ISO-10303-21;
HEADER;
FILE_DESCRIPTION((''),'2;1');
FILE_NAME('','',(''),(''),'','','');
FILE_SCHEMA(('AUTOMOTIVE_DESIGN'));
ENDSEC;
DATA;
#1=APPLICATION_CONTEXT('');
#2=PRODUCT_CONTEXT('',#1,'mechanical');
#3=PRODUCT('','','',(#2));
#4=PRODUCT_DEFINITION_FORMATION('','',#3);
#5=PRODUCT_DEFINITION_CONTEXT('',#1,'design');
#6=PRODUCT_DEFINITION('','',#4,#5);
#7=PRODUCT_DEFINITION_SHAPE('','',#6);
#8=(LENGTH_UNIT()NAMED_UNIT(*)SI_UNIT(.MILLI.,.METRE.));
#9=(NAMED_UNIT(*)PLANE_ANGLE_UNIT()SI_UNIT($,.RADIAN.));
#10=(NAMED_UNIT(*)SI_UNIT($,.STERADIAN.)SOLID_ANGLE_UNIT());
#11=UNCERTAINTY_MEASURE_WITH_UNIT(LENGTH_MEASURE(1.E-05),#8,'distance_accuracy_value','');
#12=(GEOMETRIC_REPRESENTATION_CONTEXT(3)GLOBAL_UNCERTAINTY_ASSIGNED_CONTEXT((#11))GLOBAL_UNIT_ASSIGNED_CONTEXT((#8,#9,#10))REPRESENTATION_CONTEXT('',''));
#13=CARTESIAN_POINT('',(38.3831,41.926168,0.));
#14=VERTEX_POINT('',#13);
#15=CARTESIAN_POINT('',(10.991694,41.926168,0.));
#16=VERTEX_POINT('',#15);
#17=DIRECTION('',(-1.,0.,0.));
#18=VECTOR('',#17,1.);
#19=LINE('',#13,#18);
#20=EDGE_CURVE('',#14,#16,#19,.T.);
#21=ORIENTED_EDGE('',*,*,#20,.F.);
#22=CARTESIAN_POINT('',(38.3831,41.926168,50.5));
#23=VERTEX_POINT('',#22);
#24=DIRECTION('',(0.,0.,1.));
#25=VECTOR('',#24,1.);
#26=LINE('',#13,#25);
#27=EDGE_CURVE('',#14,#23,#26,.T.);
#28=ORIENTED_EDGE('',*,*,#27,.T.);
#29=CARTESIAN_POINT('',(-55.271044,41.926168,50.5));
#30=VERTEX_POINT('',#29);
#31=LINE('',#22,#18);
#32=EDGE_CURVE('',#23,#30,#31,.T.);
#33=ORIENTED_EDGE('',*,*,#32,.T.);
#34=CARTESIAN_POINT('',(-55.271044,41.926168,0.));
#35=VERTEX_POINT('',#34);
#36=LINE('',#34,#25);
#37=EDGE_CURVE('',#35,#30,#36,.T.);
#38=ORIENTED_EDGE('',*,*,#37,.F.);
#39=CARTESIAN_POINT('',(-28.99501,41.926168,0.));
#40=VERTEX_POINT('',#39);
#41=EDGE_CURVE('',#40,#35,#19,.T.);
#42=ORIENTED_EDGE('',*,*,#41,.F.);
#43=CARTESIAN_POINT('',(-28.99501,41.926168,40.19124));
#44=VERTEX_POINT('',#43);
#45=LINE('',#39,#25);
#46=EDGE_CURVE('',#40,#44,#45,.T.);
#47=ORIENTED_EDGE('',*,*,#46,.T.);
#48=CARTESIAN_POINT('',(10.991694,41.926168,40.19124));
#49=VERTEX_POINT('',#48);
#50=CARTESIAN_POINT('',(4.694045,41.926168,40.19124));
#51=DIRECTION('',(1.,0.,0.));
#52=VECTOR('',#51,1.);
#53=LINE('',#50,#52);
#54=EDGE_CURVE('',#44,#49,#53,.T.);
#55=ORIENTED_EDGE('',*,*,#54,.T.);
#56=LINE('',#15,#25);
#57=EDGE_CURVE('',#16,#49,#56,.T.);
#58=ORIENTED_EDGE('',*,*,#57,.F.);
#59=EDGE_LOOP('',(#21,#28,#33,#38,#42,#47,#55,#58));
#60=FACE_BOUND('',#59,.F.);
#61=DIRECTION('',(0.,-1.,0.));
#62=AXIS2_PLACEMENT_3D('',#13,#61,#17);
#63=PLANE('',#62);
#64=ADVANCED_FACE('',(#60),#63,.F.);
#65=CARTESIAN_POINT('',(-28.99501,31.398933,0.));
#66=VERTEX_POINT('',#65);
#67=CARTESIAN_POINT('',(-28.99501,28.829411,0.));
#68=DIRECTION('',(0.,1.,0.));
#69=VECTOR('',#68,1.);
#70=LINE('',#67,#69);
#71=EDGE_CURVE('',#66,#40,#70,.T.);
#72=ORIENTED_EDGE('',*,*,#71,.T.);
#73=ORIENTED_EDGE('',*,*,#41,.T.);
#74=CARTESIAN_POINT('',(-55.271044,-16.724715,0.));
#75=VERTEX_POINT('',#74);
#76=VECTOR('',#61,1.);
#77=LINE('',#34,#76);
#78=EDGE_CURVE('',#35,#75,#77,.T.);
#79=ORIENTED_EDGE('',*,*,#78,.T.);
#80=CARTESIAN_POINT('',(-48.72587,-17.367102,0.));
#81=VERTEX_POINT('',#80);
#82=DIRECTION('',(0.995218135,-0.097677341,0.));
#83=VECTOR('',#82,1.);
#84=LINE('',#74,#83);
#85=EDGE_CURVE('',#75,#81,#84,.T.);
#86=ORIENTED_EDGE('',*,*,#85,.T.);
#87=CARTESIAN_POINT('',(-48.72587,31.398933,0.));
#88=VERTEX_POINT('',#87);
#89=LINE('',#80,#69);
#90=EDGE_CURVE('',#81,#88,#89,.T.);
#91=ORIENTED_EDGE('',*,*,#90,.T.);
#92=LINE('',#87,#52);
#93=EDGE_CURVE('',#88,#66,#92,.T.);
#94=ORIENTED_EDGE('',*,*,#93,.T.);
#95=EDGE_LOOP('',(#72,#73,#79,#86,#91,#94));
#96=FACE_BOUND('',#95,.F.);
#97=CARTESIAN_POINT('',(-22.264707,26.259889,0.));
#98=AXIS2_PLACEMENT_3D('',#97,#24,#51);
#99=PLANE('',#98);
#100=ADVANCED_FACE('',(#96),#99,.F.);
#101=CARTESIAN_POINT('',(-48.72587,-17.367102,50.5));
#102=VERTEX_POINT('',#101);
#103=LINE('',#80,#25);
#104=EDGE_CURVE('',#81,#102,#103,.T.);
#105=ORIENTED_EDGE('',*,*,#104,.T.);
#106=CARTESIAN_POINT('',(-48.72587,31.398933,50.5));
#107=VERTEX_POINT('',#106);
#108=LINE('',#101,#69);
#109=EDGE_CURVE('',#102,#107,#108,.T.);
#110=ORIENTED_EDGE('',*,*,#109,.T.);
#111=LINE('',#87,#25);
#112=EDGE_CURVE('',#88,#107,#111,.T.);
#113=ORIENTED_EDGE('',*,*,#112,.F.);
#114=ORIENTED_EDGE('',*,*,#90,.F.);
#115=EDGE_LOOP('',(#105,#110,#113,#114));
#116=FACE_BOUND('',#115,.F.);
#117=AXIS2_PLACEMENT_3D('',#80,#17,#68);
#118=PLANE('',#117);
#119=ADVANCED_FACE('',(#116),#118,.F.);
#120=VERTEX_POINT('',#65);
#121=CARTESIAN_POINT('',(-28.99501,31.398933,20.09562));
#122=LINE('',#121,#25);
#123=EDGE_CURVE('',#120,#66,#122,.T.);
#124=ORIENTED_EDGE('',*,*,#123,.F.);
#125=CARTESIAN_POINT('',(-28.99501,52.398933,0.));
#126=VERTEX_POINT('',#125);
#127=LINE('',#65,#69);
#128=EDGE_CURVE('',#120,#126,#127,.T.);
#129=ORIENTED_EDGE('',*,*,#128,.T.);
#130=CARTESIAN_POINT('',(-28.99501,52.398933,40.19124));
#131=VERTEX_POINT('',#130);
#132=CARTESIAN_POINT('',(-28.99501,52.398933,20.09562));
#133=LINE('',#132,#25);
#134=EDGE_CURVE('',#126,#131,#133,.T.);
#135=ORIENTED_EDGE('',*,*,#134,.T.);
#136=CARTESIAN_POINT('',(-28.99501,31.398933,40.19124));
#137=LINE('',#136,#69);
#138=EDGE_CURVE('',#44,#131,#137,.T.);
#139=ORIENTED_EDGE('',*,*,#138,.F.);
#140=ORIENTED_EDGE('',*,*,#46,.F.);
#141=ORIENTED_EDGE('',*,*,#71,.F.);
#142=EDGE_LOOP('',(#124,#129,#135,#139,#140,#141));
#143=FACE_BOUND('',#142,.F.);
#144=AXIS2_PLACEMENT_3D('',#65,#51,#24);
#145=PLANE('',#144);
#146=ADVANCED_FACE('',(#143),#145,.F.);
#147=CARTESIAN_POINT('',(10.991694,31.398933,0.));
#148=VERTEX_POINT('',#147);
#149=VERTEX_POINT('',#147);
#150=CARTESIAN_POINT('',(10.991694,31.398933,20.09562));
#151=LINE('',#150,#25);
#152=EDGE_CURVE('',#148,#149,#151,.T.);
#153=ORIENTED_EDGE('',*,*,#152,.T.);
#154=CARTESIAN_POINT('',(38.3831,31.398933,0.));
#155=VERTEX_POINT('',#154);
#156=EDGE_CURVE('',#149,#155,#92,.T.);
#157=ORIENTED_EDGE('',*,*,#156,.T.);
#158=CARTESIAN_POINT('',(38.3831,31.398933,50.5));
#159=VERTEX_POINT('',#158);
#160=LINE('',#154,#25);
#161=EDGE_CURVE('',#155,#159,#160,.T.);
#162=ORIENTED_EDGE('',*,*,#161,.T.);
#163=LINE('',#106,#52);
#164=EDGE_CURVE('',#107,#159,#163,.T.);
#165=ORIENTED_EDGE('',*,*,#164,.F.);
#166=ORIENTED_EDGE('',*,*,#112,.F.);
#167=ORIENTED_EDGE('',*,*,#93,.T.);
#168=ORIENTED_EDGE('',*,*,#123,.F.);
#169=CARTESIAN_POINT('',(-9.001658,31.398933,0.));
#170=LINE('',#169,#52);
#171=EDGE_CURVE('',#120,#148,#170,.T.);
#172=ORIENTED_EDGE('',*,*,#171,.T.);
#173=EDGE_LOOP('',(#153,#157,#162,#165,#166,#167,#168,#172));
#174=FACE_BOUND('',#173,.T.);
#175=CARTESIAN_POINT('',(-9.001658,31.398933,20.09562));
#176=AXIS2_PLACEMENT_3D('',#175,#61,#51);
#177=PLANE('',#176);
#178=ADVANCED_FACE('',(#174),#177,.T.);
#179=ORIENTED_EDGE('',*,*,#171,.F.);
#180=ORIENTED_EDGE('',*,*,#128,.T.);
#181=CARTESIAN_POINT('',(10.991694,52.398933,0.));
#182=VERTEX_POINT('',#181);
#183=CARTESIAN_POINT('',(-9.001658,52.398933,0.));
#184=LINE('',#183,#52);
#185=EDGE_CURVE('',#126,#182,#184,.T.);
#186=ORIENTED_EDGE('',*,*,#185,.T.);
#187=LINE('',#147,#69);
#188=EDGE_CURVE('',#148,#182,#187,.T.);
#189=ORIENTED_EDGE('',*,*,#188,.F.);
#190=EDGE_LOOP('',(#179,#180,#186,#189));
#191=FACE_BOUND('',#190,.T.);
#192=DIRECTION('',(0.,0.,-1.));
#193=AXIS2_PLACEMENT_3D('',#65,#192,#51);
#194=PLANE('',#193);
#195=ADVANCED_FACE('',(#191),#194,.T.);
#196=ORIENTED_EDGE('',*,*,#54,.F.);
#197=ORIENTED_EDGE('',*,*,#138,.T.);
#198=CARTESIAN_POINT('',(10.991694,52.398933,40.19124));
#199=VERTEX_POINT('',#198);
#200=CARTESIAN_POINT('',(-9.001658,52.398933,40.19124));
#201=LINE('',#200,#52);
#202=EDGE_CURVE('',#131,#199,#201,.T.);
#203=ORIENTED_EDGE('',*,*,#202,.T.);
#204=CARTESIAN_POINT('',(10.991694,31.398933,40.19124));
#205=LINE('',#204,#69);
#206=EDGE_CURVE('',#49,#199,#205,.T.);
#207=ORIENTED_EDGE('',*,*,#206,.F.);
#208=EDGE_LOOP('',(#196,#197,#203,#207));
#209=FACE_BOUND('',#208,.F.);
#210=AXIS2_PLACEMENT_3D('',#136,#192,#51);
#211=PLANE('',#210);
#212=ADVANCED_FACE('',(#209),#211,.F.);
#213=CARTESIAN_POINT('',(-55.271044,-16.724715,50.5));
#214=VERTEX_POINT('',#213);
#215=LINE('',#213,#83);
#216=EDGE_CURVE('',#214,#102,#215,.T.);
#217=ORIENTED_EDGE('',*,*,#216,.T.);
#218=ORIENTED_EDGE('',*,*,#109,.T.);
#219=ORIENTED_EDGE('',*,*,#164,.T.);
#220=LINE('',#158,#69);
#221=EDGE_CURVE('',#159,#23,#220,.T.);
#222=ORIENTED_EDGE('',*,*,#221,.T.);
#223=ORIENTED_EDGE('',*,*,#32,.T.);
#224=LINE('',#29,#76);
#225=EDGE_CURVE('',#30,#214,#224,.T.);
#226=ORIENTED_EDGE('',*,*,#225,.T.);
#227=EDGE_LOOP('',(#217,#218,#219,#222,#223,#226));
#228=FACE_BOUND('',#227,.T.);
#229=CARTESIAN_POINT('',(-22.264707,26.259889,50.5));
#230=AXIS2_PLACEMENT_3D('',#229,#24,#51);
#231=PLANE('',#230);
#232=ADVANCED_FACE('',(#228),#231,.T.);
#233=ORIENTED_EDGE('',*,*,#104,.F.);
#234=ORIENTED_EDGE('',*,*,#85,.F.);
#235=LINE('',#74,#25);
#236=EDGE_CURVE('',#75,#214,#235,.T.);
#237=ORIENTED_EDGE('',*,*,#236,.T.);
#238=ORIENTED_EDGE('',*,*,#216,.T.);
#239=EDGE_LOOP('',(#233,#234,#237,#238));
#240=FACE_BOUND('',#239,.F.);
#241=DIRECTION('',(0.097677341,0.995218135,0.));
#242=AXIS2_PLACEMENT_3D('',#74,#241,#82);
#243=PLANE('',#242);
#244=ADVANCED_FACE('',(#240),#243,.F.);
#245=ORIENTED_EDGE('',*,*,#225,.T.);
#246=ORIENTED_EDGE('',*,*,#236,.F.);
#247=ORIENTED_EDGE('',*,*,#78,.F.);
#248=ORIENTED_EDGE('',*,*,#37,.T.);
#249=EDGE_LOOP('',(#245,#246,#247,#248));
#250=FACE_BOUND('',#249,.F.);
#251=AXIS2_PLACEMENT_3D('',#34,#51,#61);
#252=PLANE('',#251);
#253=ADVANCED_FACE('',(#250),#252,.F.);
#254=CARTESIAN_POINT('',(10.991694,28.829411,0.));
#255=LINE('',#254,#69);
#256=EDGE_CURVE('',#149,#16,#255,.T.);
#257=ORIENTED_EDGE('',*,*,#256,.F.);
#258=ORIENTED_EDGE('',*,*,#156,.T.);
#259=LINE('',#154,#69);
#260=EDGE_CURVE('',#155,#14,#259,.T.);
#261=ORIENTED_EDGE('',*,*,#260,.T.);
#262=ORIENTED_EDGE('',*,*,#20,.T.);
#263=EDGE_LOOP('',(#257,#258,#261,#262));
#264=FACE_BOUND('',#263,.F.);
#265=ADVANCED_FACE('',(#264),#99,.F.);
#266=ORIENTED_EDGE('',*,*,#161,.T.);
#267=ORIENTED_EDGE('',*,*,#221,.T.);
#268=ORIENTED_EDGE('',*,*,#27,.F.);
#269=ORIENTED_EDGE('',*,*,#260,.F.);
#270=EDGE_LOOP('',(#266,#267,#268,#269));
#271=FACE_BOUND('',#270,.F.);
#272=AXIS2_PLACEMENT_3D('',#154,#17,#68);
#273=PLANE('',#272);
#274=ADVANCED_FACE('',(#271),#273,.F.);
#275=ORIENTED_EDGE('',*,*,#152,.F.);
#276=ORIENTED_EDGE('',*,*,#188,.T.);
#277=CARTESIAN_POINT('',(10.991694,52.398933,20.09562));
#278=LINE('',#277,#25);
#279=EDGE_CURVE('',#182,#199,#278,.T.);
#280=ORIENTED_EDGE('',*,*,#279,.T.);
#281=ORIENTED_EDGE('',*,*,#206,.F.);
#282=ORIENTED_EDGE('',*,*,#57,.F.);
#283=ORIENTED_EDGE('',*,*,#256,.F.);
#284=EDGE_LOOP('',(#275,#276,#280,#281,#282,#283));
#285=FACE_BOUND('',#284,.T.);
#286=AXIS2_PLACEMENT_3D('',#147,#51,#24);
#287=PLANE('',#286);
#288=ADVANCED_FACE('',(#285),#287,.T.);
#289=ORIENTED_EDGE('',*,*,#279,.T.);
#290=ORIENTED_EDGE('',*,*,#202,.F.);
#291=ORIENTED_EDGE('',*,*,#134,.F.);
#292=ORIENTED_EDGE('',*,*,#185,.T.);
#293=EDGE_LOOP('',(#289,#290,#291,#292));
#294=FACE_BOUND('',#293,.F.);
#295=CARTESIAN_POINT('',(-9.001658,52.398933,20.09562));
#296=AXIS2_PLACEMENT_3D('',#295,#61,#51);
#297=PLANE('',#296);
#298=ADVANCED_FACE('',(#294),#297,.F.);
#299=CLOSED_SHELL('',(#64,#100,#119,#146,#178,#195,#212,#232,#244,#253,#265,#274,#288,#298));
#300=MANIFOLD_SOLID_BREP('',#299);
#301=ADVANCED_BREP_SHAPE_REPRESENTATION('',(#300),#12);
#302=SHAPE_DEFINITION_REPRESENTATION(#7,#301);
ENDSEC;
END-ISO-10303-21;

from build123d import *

# Parameters (mm, degrees)
F1_DEPTH = 50.5
F2_W     = 39.986705
F2_H     = 40.191241
F3_DEPTH = 21


with BuildPart() as f1:
    # F0 (on Top) → F1 (new body)
    with BuildSketch(Plane.XY):
        Polygon((-55.271044, 41.926168), (-55.271044, -16.724715), (-48.72587, -17.367102), (-48.72587, 31.398933), (38.3831, 31.398933), (38.3831, 41.926168), align=None)
    extrude(amount=F1_DEPTH)

    # F2 (on face) → F3 (join)
    with BuildSketch(Plane.XZ.offset(-31.398933)):
        with Locations((-9.001658, 20.09562)):
            Rectangle(F2_W, F2_H)
    extrude(amount=-F3_DEPTH)


solid = f1.part
